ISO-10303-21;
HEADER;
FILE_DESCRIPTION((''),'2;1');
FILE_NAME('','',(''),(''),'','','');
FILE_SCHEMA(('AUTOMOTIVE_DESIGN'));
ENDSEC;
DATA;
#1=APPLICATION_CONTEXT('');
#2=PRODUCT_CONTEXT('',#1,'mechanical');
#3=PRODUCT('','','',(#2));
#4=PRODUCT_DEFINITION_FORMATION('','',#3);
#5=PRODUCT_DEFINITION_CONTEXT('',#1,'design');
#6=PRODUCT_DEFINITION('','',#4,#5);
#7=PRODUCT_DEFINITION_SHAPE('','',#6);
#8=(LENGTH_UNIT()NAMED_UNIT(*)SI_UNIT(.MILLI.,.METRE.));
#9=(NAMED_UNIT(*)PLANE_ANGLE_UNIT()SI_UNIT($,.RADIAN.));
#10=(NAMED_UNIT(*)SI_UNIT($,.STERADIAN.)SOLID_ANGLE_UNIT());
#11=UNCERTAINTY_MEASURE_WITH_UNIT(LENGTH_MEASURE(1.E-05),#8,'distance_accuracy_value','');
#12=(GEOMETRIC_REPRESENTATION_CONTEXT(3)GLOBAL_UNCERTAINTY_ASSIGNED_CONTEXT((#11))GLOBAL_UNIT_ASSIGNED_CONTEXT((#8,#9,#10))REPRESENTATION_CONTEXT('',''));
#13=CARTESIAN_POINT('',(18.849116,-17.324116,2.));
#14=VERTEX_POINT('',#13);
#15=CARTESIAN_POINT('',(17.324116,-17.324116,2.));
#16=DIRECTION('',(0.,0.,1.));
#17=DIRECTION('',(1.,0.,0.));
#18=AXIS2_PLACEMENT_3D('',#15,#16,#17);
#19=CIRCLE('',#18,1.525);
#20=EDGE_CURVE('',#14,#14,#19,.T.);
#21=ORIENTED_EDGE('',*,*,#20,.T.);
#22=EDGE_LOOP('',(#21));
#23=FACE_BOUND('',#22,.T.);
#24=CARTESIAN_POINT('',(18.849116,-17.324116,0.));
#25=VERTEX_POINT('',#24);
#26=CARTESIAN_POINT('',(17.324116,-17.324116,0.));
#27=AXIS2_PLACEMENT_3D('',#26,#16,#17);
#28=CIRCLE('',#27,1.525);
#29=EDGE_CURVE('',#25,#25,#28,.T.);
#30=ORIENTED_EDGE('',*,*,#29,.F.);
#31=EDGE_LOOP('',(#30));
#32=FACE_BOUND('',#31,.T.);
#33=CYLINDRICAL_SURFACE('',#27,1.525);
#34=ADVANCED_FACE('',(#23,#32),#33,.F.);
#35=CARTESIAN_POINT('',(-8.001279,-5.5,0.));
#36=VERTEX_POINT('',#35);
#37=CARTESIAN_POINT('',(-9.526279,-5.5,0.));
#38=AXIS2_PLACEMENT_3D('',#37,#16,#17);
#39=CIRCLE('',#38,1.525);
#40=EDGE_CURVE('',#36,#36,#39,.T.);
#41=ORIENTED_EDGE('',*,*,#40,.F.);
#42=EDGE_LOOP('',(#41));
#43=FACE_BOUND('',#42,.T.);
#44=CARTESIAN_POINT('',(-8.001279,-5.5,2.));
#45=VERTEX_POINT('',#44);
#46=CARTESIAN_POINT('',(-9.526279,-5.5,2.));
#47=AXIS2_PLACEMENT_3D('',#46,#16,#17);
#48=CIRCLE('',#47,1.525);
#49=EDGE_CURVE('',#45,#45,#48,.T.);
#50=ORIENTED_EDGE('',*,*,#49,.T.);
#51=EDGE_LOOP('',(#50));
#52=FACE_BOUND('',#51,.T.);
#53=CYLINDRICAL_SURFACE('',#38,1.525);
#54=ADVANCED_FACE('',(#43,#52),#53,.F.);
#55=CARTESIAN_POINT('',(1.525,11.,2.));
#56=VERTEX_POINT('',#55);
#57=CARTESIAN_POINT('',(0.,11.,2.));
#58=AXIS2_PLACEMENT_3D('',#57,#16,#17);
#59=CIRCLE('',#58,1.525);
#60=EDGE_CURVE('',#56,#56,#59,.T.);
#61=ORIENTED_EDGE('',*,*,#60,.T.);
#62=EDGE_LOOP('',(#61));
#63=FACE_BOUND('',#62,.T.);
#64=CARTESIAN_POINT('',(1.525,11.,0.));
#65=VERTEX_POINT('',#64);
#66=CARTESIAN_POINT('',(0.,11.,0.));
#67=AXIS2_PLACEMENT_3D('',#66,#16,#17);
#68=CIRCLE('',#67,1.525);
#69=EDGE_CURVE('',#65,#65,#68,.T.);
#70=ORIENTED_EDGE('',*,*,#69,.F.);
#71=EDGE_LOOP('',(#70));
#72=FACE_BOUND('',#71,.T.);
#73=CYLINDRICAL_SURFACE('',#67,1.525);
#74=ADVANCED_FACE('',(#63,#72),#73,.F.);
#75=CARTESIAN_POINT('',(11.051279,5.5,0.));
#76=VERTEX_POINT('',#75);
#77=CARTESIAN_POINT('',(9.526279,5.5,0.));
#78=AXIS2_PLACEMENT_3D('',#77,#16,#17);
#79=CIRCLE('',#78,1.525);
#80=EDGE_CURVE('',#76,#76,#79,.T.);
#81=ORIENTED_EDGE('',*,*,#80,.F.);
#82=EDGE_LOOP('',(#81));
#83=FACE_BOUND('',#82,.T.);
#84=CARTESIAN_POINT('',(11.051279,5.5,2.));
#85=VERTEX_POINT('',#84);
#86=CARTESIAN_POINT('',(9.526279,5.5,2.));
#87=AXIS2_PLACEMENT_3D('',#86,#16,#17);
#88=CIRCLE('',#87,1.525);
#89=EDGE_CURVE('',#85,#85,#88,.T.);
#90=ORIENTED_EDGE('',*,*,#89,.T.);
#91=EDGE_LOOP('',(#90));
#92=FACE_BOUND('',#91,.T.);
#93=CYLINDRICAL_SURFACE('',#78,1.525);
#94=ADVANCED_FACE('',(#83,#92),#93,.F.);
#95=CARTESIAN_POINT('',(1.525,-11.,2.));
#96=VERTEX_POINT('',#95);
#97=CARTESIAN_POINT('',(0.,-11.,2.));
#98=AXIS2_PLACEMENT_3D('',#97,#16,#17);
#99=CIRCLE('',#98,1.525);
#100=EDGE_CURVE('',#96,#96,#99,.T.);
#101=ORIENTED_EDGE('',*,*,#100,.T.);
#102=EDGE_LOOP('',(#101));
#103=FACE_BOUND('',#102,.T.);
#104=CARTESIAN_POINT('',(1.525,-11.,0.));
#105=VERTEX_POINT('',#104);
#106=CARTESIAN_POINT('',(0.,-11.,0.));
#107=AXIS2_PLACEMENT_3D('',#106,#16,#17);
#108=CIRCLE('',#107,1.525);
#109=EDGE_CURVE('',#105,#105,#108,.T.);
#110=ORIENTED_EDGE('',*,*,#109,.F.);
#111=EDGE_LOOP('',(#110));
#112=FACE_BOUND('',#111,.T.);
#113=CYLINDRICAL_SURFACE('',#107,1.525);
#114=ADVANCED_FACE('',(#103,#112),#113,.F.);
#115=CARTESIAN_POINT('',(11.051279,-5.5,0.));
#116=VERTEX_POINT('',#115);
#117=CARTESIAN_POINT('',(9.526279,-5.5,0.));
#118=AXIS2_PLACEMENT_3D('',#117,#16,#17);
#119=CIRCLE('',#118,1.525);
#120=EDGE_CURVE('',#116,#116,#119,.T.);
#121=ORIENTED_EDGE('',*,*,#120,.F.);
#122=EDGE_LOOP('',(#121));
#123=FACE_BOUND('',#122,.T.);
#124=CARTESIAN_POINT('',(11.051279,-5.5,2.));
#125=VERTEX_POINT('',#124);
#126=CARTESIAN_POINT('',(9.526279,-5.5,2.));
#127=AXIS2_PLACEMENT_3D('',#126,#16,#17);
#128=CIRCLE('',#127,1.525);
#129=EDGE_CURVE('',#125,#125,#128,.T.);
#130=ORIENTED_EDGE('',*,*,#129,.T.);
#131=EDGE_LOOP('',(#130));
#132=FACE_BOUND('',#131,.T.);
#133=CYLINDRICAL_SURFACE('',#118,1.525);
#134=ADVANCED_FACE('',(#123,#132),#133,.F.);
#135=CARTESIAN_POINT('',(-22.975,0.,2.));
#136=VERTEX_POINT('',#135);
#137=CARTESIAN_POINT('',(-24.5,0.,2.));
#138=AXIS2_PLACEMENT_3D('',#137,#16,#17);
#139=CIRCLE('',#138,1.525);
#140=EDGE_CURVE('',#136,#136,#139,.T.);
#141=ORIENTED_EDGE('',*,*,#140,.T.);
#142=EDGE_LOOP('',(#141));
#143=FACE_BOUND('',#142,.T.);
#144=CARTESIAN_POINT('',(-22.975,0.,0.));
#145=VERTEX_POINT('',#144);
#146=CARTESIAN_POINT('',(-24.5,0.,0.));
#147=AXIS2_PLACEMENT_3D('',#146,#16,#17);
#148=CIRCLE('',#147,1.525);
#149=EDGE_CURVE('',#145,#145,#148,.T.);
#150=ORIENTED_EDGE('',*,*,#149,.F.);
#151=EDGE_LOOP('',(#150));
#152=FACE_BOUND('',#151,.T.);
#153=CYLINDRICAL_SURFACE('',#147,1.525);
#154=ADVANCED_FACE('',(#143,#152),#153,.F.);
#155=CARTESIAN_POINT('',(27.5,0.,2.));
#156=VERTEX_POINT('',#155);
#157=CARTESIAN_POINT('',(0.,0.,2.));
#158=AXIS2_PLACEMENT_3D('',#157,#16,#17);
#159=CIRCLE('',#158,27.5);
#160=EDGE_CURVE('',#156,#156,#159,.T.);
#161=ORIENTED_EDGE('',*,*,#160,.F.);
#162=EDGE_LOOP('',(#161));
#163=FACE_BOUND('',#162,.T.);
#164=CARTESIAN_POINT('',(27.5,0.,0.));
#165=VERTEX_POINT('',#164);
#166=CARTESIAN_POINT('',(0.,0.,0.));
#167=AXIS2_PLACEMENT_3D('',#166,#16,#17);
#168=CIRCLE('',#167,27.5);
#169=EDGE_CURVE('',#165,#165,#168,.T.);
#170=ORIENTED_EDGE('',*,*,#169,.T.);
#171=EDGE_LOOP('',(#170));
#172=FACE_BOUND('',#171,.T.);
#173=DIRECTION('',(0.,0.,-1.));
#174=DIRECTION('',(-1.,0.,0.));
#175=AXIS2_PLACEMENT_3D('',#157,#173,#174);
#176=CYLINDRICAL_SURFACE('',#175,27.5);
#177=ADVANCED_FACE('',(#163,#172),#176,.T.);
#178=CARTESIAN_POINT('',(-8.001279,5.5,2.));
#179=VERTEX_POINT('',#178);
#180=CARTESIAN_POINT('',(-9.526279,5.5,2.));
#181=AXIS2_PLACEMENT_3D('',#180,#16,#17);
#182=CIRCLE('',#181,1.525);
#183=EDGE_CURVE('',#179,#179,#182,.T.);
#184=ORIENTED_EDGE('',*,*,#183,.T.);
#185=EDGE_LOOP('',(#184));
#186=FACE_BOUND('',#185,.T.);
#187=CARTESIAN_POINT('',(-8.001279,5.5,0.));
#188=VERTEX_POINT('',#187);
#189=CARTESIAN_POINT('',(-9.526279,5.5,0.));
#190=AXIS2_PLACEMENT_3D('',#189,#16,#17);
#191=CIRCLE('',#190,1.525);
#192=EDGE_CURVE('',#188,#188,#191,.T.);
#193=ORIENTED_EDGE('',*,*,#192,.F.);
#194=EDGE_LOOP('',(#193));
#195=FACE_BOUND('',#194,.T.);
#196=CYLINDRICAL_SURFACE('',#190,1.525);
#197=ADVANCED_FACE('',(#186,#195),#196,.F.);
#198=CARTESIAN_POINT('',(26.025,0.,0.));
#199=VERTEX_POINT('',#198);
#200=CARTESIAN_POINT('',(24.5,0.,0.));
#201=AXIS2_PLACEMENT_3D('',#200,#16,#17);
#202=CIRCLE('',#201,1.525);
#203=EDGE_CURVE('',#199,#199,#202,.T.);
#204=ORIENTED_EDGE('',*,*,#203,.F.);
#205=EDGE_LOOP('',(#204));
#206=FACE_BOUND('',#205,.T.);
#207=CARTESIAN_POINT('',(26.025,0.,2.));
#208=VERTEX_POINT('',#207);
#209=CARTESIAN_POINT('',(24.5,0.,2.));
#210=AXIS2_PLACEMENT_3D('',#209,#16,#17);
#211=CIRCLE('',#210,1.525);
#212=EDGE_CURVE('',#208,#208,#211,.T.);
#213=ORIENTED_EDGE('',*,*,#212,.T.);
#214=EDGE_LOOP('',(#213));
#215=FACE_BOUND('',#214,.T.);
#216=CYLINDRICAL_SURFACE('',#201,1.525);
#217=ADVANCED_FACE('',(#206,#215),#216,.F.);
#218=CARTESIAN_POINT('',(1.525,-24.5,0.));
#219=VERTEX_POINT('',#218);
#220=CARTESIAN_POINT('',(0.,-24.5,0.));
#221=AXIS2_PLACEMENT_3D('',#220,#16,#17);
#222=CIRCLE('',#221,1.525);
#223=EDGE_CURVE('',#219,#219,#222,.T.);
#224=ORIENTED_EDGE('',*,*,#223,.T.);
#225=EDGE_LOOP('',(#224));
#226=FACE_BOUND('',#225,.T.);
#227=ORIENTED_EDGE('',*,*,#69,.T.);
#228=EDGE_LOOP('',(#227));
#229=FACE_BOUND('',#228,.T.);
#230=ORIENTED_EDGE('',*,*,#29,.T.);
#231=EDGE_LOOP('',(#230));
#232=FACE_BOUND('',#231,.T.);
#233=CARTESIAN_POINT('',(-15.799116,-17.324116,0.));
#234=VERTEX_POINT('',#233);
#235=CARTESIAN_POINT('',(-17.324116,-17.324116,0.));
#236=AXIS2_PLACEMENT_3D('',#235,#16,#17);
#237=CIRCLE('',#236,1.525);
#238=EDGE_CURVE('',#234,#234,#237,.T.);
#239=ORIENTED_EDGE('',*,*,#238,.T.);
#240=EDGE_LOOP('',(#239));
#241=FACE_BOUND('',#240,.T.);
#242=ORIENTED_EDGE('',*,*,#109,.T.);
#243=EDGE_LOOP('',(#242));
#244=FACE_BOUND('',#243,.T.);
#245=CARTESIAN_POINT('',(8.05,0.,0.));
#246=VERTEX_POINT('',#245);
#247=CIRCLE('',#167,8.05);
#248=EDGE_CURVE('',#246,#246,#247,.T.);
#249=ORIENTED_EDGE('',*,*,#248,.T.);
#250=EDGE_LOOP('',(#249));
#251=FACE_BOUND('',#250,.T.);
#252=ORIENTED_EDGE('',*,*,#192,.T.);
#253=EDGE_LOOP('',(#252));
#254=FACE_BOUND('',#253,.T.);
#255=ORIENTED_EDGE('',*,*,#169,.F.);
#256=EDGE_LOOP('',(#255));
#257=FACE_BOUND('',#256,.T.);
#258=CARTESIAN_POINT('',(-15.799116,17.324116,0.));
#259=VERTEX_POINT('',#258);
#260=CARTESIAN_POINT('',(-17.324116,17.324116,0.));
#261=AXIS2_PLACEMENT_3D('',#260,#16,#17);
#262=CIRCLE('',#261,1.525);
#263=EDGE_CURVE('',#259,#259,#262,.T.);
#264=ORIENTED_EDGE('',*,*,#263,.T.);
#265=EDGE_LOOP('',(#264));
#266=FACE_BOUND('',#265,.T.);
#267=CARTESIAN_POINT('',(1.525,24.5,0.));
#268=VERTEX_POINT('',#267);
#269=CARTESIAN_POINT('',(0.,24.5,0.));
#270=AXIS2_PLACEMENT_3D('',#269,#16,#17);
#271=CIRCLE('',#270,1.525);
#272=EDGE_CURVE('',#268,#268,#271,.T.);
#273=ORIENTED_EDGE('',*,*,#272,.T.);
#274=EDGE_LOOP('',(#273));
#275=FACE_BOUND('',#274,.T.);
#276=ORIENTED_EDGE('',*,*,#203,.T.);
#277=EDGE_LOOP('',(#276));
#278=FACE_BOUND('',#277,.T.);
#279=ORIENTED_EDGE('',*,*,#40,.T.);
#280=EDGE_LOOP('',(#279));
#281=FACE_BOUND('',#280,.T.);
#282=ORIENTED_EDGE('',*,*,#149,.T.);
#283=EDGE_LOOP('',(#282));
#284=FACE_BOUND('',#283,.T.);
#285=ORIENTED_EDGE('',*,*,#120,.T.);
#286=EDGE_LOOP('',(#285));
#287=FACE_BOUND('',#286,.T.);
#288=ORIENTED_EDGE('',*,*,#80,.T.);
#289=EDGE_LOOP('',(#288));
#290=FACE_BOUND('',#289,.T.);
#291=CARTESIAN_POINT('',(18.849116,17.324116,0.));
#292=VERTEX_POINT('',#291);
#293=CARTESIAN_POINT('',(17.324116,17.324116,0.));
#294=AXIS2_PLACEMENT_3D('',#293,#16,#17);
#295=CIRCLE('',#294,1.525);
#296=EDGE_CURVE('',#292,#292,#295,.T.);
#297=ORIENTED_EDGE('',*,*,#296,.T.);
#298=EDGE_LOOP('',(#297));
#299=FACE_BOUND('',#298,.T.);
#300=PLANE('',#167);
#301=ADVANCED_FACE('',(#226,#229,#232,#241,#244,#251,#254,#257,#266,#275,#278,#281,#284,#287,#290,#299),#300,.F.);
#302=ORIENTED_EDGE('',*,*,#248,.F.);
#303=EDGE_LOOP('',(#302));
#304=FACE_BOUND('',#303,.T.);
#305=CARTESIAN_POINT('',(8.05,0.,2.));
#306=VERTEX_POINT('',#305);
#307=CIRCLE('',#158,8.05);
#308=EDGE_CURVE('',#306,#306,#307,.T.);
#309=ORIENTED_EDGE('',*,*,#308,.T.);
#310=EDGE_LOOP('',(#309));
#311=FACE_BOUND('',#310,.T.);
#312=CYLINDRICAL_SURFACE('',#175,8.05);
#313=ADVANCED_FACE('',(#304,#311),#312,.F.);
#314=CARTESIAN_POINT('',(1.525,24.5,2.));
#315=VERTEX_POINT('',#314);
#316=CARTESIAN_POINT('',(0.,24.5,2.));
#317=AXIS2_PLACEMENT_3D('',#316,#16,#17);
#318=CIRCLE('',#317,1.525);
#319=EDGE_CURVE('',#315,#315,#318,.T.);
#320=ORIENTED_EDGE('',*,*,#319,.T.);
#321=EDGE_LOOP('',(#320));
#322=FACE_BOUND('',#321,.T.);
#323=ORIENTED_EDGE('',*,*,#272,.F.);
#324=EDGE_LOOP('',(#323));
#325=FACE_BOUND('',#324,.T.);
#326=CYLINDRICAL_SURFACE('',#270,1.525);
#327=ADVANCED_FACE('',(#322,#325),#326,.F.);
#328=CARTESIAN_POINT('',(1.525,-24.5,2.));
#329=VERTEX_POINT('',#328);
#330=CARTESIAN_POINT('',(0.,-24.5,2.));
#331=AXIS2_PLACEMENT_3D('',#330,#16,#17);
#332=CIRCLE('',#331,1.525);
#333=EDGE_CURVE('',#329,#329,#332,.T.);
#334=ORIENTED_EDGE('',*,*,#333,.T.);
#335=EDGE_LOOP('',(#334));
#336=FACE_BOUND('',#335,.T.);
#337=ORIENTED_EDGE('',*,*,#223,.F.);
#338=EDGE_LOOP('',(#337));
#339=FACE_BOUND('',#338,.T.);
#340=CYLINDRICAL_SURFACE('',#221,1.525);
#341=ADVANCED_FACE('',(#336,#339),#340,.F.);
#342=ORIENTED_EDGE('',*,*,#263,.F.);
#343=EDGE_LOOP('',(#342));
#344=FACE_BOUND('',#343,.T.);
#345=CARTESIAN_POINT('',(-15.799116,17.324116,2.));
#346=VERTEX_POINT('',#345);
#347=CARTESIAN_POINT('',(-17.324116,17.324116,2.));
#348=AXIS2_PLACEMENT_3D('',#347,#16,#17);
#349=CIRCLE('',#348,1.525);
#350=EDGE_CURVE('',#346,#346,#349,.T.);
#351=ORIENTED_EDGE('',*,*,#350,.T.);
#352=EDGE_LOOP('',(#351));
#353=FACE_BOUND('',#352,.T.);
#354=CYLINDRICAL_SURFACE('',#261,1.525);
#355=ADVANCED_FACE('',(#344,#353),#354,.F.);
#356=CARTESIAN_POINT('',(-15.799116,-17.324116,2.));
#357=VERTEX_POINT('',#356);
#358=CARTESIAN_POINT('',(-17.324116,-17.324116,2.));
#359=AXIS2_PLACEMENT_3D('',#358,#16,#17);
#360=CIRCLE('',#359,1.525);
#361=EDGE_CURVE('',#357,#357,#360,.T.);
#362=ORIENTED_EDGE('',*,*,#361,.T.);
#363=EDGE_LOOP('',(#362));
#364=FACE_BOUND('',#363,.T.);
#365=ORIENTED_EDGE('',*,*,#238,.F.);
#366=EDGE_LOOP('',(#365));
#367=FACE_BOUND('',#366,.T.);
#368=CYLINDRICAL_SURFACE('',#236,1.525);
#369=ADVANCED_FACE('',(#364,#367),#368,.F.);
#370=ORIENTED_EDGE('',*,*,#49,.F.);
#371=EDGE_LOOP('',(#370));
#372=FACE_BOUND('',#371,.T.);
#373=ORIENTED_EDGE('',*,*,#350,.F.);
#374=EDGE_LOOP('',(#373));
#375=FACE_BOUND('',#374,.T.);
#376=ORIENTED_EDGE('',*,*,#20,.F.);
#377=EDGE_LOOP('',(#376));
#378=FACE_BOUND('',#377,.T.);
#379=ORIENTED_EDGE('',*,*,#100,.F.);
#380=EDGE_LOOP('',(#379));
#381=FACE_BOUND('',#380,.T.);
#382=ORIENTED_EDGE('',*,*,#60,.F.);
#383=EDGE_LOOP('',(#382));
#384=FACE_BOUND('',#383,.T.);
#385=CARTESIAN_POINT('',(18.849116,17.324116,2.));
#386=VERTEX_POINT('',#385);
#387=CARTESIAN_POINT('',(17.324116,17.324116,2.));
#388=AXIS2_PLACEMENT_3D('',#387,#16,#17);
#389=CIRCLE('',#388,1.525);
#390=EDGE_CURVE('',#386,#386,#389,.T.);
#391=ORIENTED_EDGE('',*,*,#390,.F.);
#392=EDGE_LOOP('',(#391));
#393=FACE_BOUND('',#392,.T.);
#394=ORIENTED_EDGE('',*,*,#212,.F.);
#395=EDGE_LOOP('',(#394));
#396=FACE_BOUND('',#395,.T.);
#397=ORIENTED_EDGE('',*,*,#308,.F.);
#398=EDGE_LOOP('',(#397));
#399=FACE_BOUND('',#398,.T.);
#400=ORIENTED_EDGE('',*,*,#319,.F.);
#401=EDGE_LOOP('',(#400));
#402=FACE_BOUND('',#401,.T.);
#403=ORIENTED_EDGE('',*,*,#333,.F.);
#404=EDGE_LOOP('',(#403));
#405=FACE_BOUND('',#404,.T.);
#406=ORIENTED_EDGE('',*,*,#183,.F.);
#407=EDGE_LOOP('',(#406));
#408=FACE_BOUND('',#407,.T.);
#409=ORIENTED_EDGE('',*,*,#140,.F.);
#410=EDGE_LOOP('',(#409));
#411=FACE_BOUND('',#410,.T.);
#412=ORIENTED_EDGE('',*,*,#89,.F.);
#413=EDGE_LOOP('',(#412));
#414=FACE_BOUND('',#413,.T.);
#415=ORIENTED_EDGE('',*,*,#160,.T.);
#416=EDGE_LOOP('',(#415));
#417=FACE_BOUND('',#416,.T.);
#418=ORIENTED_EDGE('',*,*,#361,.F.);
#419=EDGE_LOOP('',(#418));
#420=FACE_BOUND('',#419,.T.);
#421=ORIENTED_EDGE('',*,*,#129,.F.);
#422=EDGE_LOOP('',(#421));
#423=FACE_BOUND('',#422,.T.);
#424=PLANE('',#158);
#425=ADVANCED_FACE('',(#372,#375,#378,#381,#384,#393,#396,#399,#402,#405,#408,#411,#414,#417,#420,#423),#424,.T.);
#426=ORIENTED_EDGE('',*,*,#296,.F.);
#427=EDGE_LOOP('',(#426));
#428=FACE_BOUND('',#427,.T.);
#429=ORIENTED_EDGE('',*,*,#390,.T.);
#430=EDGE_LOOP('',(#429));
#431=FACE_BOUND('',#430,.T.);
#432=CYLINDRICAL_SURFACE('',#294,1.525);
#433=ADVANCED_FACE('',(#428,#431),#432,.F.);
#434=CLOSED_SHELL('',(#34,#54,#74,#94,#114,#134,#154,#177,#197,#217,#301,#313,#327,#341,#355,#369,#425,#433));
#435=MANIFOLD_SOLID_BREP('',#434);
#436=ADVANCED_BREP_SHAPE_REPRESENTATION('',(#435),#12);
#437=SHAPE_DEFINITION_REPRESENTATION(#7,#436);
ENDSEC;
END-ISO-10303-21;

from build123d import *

# Parameters (mm, degrees)
SKETCH_1_R          = 27.5
SKETCH_1_R_2        = 8.05
EXTRUDE_1_DEPTH     = 2
SKETCH_2_R          = 1.525
CUT_EXTRUDE_1_DEPTH = 2
SKETCH_3_R          = 1.525
CUT_EXTRUDE_2_DEPTH = 2


with BuildPart() as part:
    # 草图1 → 凸台-拉伸1 (new body)
    with BuildSketch(Plane.XY):
        Circle(SKETCH_1_R)
        Circle(SKETCH_1_R_2, mode=Mode.SUBTRACT)
    extrude(amount=EXTRUDE_1_DEPTH)

    # 草图2 → 切除-拉伸1 (cut)
    with BuildSketch(Plane.XY.offset(2)):
        with Locations((0, 11)):
            Circle(SKETCH_2_R)
        with Locations((9.526279442, 5.5)):
            Circle(SKETCH_2_R)
        with Locations((9.526279442, -5.5)):
            Circle(SKETCH_2_R)
        with Locations((0, -11)):
            Circle(SKETCH_2_R)
        with Locations((-9.526279442, -5.5)):
            Circle(SKETCH_2_R)
        with Locations((-9.526279442, 5.5)):
            Circle(SKETCH_2_R)
    extrude(amount=-CUT_EXTRUDE_1_DEPTH, mode=Mode.SUBTRACT)

    # 草图3 → 切除-拉伸2 (cut)
    with BuildSketch(Plane.XY.offset(2)):
        with Locations((0, 24.5)):
            Circle(SKETCH_3_R)
        with Locations((17.324116139, 17.324116139)):
            Circle(SKETCH_3_R)
        with Locations((24.5, 0)):
            Circle(SKETCH_3_R)
        with Locations((17.324116139, -17.324116139)):
            Circle(SKETCH_3_R)
        with Locations((0, -24.5)):
            Circle(SKETCH_3_R)
        with Locations((-17.324116139, -17.324116139)):
            Circle(SKETCH_3_R)
        with Locations((-24.5, 0)):
            Circle(SKETCH_3_R)
        with Locations((-17.324116139, 17.324116139)):
            Circle(SKETCH_3_R)
    extrude(amount=-CUT_EXTRUDE_2_DEPTH, mode=Mode.SUBTRACT)


solid = part.part
